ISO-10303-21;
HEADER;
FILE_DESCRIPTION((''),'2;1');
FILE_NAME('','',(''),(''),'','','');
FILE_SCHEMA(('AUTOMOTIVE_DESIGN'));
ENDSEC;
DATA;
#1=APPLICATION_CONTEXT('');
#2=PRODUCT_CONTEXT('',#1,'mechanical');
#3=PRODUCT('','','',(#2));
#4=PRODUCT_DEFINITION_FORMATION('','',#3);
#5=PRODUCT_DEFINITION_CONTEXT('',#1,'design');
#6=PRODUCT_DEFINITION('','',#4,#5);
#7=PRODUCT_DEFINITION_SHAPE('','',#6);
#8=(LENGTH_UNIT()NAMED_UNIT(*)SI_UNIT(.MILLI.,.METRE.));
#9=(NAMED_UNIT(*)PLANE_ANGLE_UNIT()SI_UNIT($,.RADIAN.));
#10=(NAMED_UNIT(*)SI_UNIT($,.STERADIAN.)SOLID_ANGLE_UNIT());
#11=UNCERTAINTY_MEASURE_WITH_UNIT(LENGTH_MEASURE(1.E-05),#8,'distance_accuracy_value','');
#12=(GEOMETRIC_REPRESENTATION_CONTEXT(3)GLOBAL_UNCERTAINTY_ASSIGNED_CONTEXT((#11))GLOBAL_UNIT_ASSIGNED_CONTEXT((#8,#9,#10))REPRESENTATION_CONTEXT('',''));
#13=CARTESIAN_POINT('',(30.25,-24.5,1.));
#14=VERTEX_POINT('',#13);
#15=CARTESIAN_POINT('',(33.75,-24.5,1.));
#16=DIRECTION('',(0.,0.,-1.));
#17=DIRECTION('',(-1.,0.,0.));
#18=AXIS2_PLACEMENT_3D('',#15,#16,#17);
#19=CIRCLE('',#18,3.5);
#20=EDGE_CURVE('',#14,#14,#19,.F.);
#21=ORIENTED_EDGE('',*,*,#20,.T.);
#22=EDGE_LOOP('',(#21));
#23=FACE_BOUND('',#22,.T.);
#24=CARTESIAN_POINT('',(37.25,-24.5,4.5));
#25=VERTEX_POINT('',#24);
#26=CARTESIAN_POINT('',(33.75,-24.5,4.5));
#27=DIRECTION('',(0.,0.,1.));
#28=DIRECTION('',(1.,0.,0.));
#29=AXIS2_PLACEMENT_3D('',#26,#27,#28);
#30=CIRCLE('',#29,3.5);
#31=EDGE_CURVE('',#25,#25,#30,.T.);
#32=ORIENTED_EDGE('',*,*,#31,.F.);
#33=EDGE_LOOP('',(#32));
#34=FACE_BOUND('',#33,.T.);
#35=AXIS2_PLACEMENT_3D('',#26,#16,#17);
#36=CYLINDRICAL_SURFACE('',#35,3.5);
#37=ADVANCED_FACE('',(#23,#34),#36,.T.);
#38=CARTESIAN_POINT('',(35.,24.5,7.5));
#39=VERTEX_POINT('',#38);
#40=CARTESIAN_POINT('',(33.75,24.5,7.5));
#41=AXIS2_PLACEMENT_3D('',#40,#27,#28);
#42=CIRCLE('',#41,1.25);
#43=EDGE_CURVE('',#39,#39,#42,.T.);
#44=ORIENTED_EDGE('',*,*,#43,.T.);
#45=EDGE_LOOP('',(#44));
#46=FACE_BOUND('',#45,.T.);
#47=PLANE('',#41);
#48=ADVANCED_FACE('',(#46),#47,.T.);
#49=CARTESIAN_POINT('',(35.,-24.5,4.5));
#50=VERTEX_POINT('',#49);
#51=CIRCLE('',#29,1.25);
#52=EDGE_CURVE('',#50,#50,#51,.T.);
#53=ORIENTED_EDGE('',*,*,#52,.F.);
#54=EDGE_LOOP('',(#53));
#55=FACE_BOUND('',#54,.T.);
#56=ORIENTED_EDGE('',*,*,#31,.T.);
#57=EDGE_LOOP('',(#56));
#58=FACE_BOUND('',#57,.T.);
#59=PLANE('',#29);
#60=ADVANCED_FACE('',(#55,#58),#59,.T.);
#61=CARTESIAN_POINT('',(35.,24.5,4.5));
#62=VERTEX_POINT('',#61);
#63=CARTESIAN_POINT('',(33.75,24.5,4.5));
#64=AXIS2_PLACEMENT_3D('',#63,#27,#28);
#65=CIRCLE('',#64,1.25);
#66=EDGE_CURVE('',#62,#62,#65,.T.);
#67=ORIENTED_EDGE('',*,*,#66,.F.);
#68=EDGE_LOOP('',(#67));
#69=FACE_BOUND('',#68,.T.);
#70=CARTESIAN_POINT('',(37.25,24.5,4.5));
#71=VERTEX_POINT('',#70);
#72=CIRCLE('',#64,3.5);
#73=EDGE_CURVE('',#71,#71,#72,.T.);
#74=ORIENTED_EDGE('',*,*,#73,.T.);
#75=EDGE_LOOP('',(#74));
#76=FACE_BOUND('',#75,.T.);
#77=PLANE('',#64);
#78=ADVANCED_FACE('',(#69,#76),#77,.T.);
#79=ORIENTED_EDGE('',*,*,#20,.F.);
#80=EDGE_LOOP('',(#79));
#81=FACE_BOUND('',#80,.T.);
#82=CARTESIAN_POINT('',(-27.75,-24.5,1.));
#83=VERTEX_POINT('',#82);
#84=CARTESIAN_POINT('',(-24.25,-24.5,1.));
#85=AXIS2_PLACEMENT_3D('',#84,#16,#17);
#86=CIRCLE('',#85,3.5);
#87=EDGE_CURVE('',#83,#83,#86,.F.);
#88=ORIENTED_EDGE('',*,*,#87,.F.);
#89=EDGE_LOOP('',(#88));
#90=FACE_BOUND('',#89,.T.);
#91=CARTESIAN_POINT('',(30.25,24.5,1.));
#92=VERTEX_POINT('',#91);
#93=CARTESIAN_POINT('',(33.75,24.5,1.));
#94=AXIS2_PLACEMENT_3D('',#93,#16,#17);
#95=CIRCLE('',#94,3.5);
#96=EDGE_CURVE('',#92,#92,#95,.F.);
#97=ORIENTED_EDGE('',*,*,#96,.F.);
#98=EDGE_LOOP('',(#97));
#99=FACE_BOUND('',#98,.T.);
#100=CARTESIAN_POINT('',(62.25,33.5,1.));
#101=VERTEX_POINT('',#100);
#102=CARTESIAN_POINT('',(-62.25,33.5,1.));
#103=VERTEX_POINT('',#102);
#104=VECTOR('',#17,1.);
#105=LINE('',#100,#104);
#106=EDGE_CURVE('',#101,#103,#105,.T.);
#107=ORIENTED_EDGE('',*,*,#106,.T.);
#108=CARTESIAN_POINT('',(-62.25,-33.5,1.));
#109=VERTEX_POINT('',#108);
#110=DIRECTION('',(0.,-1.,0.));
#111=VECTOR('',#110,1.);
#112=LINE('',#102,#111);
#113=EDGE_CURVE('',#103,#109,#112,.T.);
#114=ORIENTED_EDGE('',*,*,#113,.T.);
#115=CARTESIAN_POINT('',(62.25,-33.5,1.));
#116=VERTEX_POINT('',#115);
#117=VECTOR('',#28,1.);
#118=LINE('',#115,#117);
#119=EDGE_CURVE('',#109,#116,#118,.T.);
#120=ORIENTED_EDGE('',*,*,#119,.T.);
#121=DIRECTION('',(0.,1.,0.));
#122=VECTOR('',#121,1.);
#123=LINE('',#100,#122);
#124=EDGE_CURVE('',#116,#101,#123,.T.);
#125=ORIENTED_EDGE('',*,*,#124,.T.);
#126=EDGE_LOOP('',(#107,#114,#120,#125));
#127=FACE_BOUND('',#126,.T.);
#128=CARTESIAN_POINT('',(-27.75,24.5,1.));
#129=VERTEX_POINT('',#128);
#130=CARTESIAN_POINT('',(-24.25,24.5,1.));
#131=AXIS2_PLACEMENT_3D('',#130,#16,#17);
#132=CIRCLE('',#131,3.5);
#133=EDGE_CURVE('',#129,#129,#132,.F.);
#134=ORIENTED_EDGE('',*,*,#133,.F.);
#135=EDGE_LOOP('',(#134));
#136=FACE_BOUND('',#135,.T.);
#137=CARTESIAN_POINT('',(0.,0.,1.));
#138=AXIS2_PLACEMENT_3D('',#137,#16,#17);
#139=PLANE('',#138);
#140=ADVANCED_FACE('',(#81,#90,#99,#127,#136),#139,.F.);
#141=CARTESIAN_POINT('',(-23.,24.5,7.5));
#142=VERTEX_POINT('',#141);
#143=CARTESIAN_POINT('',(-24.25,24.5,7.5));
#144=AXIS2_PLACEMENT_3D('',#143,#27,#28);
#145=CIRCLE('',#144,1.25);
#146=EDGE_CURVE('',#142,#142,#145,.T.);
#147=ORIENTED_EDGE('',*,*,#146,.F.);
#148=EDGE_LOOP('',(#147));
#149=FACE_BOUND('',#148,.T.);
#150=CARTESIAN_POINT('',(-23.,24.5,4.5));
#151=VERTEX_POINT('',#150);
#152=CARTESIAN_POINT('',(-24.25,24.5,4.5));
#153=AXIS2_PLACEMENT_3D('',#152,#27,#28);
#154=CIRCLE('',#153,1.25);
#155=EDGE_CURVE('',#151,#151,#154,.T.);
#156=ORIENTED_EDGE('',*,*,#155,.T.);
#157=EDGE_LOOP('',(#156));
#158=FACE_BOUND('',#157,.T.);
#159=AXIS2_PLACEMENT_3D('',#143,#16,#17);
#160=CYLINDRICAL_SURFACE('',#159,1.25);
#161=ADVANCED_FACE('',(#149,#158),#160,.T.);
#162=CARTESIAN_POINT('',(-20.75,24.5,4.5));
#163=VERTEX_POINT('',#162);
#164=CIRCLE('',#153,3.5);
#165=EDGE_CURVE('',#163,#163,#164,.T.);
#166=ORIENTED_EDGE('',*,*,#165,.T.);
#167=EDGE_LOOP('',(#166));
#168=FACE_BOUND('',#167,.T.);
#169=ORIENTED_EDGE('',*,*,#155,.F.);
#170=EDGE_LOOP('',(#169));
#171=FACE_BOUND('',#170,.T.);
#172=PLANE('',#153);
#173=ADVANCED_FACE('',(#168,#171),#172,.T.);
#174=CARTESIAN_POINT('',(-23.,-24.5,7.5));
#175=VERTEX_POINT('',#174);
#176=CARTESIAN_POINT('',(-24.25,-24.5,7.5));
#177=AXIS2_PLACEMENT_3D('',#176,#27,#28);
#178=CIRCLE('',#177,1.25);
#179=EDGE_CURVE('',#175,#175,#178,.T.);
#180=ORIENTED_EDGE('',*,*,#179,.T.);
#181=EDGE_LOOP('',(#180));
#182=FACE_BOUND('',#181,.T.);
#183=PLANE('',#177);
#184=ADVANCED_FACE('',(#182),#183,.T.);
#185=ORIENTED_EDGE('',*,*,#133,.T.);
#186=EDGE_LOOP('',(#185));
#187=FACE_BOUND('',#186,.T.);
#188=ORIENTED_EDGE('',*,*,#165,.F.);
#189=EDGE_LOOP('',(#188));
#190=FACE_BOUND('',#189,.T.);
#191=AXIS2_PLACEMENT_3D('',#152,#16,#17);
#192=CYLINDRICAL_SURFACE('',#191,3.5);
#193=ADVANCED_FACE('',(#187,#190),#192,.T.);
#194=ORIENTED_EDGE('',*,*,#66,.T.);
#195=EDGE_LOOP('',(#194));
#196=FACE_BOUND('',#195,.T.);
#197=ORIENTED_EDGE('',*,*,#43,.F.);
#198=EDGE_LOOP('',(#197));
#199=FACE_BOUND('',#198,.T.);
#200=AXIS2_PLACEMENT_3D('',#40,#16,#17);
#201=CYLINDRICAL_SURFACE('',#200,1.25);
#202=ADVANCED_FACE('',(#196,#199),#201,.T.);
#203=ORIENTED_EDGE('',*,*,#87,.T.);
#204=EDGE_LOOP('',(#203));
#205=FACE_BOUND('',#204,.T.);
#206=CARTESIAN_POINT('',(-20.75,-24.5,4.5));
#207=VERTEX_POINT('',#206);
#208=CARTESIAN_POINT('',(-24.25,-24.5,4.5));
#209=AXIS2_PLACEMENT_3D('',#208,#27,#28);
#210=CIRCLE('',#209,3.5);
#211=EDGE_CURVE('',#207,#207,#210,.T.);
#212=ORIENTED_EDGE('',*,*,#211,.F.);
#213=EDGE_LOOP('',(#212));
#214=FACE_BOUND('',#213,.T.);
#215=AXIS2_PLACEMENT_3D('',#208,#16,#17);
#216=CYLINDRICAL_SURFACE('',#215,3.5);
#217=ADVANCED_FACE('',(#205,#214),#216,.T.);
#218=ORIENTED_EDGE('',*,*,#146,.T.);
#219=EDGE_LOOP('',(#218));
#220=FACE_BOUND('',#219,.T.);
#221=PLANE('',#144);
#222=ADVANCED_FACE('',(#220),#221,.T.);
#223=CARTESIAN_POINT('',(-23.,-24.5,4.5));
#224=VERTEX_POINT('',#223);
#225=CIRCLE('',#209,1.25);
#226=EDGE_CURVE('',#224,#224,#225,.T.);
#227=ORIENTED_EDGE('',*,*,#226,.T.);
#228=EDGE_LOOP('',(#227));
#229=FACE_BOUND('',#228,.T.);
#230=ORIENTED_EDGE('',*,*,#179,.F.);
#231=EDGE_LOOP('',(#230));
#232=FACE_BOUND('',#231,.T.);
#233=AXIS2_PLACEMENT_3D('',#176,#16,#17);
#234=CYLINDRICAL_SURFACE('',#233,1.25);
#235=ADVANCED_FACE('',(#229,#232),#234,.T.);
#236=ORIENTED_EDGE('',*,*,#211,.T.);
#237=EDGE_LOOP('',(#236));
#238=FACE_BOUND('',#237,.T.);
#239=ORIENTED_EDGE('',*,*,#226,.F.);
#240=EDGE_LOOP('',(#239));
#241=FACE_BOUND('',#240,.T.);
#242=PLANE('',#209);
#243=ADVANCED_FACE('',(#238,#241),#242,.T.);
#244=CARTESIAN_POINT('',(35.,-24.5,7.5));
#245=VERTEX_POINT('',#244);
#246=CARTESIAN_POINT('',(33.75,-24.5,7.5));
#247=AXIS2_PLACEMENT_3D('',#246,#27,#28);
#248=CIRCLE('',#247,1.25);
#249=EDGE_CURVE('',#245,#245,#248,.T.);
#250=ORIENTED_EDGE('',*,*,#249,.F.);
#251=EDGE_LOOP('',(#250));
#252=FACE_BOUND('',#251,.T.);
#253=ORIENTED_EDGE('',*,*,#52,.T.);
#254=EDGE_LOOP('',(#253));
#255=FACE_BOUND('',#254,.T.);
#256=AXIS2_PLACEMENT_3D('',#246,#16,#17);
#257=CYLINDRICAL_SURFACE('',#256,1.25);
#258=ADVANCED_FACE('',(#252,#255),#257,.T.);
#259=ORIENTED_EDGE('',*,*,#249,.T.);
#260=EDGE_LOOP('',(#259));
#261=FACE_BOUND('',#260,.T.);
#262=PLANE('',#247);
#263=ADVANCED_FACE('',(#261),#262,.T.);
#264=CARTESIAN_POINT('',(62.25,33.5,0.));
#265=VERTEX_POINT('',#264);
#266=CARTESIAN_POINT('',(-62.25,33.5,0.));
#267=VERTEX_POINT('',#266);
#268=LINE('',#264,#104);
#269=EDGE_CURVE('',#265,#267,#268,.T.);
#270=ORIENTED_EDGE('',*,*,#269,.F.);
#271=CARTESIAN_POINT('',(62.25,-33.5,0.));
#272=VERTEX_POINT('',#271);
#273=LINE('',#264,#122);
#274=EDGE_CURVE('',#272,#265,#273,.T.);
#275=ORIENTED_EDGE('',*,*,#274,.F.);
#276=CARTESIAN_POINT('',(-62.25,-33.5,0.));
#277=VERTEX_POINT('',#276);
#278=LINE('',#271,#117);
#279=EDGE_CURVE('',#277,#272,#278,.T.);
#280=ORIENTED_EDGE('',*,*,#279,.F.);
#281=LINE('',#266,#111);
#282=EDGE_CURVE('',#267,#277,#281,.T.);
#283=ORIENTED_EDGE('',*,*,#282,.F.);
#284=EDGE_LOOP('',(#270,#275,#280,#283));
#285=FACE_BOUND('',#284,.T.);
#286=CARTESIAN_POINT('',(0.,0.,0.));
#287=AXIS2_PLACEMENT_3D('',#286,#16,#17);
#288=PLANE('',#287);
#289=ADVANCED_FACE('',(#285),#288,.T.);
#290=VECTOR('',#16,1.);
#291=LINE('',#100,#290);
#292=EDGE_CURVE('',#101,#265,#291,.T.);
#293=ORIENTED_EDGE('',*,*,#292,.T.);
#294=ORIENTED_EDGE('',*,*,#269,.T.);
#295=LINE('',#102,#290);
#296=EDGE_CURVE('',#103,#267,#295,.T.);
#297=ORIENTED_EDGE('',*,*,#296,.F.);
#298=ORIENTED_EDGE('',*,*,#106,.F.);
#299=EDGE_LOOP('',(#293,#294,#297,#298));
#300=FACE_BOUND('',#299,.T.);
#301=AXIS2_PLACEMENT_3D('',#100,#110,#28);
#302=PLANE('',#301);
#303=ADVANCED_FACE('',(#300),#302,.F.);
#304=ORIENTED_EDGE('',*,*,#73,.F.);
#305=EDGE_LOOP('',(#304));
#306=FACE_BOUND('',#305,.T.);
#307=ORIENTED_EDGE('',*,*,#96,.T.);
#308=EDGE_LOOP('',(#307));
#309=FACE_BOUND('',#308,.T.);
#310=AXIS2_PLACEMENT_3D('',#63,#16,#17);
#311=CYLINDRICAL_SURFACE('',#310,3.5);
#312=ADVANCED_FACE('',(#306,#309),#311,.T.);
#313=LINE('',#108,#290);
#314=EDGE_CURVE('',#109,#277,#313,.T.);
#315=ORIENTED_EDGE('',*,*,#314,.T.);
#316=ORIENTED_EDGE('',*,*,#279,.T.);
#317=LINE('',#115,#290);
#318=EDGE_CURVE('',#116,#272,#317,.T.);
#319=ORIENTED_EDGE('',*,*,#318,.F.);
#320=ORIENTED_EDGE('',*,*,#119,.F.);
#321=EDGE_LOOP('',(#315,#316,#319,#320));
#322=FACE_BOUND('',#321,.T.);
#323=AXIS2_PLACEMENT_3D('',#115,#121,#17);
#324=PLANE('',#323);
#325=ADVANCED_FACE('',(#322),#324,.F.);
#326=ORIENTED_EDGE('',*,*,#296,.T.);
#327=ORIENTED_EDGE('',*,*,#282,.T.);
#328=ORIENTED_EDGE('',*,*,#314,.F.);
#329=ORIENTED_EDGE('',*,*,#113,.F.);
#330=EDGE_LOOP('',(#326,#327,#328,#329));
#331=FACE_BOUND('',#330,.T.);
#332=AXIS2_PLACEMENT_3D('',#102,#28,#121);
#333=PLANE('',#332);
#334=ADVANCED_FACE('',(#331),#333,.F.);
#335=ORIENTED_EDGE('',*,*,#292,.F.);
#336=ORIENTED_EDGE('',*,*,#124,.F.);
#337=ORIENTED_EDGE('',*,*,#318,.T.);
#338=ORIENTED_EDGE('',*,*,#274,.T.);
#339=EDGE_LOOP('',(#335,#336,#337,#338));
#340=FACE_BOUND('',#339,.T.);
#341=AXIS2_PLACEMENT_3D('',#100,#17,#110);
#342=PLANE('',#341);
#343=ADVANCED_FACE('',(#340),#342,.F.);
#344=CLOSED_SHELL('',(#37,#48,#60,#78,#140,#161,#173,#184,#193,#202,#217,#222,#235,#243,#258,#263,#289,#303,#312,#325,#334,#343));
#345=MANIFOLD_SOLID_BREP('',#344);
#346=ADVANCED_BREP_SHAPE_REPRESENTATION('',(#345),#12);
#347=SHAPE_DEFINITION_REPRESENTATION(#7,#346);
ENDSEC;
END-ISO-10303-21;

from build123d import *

# Parameters (mm, degrees)
SKETCH1_W           = 124.5
SKETCH1_H           = 67
BOSS_EXTRUDE1_DEPTH = 1
SKETCH2_R           = 3.5
BOSS_EXTRUDE2_DEPTH = 3.5
SKETCH3_R           = 1.25
BOSS_EXTRUDE3_DEPTH = 3


with BuildPart() as part:
    # Sketch1 → Boss-Extrude1 (new body)
    with BuildSketch(Plane.XY):
        Rectangle(SKETCH1_W, SKETCH1_H)
    extrude(amount=BOSS_EXTRUDE1_DEPTH)

    # Sketch2 → Boss-Extrude2 (add)
    with BuildSketch(Plane.XY.offset(1)):
        with Locations(Location((-24.25, 24.5, 0), (0, 0, 180))):
            Circle(SKETCH2_R)
        with Locations(Location((33.75, 24.5, 0), (0, 0, 180))):
            Circle(SKETCH2_R)
        with Locations(Location((33.75, -24.5, 0), (0, 0, 180))):
            Circle(SKETCH2_R)
        with Locations(Location((-24.25, -24.5, 0), (0, 0, 180))):
            Circle(SKETCH2_R)
    extrude(amount=BOSS_EXTRUDE2_DEPTH)

    # Sketch3 → Boss-Extrude3 (add)
    with BuildSketch(Plane.XY.offset(4.5)):
        with Locations((-24.25, 24.5)):
            Circle(SKETCH3_R)
        with Locations((33.75, 24.5)):
            Circle(SKETCH3_R)
        with Locations((33.75, -24.5)):
            Circle(SKETCH3_R)
        with Locations((-24.25, -24.5)):
            Circle(SKETCH3_R)
    extrude(amount=BOSS_EXTRUDE3_DEPTH)


solid = part.part
